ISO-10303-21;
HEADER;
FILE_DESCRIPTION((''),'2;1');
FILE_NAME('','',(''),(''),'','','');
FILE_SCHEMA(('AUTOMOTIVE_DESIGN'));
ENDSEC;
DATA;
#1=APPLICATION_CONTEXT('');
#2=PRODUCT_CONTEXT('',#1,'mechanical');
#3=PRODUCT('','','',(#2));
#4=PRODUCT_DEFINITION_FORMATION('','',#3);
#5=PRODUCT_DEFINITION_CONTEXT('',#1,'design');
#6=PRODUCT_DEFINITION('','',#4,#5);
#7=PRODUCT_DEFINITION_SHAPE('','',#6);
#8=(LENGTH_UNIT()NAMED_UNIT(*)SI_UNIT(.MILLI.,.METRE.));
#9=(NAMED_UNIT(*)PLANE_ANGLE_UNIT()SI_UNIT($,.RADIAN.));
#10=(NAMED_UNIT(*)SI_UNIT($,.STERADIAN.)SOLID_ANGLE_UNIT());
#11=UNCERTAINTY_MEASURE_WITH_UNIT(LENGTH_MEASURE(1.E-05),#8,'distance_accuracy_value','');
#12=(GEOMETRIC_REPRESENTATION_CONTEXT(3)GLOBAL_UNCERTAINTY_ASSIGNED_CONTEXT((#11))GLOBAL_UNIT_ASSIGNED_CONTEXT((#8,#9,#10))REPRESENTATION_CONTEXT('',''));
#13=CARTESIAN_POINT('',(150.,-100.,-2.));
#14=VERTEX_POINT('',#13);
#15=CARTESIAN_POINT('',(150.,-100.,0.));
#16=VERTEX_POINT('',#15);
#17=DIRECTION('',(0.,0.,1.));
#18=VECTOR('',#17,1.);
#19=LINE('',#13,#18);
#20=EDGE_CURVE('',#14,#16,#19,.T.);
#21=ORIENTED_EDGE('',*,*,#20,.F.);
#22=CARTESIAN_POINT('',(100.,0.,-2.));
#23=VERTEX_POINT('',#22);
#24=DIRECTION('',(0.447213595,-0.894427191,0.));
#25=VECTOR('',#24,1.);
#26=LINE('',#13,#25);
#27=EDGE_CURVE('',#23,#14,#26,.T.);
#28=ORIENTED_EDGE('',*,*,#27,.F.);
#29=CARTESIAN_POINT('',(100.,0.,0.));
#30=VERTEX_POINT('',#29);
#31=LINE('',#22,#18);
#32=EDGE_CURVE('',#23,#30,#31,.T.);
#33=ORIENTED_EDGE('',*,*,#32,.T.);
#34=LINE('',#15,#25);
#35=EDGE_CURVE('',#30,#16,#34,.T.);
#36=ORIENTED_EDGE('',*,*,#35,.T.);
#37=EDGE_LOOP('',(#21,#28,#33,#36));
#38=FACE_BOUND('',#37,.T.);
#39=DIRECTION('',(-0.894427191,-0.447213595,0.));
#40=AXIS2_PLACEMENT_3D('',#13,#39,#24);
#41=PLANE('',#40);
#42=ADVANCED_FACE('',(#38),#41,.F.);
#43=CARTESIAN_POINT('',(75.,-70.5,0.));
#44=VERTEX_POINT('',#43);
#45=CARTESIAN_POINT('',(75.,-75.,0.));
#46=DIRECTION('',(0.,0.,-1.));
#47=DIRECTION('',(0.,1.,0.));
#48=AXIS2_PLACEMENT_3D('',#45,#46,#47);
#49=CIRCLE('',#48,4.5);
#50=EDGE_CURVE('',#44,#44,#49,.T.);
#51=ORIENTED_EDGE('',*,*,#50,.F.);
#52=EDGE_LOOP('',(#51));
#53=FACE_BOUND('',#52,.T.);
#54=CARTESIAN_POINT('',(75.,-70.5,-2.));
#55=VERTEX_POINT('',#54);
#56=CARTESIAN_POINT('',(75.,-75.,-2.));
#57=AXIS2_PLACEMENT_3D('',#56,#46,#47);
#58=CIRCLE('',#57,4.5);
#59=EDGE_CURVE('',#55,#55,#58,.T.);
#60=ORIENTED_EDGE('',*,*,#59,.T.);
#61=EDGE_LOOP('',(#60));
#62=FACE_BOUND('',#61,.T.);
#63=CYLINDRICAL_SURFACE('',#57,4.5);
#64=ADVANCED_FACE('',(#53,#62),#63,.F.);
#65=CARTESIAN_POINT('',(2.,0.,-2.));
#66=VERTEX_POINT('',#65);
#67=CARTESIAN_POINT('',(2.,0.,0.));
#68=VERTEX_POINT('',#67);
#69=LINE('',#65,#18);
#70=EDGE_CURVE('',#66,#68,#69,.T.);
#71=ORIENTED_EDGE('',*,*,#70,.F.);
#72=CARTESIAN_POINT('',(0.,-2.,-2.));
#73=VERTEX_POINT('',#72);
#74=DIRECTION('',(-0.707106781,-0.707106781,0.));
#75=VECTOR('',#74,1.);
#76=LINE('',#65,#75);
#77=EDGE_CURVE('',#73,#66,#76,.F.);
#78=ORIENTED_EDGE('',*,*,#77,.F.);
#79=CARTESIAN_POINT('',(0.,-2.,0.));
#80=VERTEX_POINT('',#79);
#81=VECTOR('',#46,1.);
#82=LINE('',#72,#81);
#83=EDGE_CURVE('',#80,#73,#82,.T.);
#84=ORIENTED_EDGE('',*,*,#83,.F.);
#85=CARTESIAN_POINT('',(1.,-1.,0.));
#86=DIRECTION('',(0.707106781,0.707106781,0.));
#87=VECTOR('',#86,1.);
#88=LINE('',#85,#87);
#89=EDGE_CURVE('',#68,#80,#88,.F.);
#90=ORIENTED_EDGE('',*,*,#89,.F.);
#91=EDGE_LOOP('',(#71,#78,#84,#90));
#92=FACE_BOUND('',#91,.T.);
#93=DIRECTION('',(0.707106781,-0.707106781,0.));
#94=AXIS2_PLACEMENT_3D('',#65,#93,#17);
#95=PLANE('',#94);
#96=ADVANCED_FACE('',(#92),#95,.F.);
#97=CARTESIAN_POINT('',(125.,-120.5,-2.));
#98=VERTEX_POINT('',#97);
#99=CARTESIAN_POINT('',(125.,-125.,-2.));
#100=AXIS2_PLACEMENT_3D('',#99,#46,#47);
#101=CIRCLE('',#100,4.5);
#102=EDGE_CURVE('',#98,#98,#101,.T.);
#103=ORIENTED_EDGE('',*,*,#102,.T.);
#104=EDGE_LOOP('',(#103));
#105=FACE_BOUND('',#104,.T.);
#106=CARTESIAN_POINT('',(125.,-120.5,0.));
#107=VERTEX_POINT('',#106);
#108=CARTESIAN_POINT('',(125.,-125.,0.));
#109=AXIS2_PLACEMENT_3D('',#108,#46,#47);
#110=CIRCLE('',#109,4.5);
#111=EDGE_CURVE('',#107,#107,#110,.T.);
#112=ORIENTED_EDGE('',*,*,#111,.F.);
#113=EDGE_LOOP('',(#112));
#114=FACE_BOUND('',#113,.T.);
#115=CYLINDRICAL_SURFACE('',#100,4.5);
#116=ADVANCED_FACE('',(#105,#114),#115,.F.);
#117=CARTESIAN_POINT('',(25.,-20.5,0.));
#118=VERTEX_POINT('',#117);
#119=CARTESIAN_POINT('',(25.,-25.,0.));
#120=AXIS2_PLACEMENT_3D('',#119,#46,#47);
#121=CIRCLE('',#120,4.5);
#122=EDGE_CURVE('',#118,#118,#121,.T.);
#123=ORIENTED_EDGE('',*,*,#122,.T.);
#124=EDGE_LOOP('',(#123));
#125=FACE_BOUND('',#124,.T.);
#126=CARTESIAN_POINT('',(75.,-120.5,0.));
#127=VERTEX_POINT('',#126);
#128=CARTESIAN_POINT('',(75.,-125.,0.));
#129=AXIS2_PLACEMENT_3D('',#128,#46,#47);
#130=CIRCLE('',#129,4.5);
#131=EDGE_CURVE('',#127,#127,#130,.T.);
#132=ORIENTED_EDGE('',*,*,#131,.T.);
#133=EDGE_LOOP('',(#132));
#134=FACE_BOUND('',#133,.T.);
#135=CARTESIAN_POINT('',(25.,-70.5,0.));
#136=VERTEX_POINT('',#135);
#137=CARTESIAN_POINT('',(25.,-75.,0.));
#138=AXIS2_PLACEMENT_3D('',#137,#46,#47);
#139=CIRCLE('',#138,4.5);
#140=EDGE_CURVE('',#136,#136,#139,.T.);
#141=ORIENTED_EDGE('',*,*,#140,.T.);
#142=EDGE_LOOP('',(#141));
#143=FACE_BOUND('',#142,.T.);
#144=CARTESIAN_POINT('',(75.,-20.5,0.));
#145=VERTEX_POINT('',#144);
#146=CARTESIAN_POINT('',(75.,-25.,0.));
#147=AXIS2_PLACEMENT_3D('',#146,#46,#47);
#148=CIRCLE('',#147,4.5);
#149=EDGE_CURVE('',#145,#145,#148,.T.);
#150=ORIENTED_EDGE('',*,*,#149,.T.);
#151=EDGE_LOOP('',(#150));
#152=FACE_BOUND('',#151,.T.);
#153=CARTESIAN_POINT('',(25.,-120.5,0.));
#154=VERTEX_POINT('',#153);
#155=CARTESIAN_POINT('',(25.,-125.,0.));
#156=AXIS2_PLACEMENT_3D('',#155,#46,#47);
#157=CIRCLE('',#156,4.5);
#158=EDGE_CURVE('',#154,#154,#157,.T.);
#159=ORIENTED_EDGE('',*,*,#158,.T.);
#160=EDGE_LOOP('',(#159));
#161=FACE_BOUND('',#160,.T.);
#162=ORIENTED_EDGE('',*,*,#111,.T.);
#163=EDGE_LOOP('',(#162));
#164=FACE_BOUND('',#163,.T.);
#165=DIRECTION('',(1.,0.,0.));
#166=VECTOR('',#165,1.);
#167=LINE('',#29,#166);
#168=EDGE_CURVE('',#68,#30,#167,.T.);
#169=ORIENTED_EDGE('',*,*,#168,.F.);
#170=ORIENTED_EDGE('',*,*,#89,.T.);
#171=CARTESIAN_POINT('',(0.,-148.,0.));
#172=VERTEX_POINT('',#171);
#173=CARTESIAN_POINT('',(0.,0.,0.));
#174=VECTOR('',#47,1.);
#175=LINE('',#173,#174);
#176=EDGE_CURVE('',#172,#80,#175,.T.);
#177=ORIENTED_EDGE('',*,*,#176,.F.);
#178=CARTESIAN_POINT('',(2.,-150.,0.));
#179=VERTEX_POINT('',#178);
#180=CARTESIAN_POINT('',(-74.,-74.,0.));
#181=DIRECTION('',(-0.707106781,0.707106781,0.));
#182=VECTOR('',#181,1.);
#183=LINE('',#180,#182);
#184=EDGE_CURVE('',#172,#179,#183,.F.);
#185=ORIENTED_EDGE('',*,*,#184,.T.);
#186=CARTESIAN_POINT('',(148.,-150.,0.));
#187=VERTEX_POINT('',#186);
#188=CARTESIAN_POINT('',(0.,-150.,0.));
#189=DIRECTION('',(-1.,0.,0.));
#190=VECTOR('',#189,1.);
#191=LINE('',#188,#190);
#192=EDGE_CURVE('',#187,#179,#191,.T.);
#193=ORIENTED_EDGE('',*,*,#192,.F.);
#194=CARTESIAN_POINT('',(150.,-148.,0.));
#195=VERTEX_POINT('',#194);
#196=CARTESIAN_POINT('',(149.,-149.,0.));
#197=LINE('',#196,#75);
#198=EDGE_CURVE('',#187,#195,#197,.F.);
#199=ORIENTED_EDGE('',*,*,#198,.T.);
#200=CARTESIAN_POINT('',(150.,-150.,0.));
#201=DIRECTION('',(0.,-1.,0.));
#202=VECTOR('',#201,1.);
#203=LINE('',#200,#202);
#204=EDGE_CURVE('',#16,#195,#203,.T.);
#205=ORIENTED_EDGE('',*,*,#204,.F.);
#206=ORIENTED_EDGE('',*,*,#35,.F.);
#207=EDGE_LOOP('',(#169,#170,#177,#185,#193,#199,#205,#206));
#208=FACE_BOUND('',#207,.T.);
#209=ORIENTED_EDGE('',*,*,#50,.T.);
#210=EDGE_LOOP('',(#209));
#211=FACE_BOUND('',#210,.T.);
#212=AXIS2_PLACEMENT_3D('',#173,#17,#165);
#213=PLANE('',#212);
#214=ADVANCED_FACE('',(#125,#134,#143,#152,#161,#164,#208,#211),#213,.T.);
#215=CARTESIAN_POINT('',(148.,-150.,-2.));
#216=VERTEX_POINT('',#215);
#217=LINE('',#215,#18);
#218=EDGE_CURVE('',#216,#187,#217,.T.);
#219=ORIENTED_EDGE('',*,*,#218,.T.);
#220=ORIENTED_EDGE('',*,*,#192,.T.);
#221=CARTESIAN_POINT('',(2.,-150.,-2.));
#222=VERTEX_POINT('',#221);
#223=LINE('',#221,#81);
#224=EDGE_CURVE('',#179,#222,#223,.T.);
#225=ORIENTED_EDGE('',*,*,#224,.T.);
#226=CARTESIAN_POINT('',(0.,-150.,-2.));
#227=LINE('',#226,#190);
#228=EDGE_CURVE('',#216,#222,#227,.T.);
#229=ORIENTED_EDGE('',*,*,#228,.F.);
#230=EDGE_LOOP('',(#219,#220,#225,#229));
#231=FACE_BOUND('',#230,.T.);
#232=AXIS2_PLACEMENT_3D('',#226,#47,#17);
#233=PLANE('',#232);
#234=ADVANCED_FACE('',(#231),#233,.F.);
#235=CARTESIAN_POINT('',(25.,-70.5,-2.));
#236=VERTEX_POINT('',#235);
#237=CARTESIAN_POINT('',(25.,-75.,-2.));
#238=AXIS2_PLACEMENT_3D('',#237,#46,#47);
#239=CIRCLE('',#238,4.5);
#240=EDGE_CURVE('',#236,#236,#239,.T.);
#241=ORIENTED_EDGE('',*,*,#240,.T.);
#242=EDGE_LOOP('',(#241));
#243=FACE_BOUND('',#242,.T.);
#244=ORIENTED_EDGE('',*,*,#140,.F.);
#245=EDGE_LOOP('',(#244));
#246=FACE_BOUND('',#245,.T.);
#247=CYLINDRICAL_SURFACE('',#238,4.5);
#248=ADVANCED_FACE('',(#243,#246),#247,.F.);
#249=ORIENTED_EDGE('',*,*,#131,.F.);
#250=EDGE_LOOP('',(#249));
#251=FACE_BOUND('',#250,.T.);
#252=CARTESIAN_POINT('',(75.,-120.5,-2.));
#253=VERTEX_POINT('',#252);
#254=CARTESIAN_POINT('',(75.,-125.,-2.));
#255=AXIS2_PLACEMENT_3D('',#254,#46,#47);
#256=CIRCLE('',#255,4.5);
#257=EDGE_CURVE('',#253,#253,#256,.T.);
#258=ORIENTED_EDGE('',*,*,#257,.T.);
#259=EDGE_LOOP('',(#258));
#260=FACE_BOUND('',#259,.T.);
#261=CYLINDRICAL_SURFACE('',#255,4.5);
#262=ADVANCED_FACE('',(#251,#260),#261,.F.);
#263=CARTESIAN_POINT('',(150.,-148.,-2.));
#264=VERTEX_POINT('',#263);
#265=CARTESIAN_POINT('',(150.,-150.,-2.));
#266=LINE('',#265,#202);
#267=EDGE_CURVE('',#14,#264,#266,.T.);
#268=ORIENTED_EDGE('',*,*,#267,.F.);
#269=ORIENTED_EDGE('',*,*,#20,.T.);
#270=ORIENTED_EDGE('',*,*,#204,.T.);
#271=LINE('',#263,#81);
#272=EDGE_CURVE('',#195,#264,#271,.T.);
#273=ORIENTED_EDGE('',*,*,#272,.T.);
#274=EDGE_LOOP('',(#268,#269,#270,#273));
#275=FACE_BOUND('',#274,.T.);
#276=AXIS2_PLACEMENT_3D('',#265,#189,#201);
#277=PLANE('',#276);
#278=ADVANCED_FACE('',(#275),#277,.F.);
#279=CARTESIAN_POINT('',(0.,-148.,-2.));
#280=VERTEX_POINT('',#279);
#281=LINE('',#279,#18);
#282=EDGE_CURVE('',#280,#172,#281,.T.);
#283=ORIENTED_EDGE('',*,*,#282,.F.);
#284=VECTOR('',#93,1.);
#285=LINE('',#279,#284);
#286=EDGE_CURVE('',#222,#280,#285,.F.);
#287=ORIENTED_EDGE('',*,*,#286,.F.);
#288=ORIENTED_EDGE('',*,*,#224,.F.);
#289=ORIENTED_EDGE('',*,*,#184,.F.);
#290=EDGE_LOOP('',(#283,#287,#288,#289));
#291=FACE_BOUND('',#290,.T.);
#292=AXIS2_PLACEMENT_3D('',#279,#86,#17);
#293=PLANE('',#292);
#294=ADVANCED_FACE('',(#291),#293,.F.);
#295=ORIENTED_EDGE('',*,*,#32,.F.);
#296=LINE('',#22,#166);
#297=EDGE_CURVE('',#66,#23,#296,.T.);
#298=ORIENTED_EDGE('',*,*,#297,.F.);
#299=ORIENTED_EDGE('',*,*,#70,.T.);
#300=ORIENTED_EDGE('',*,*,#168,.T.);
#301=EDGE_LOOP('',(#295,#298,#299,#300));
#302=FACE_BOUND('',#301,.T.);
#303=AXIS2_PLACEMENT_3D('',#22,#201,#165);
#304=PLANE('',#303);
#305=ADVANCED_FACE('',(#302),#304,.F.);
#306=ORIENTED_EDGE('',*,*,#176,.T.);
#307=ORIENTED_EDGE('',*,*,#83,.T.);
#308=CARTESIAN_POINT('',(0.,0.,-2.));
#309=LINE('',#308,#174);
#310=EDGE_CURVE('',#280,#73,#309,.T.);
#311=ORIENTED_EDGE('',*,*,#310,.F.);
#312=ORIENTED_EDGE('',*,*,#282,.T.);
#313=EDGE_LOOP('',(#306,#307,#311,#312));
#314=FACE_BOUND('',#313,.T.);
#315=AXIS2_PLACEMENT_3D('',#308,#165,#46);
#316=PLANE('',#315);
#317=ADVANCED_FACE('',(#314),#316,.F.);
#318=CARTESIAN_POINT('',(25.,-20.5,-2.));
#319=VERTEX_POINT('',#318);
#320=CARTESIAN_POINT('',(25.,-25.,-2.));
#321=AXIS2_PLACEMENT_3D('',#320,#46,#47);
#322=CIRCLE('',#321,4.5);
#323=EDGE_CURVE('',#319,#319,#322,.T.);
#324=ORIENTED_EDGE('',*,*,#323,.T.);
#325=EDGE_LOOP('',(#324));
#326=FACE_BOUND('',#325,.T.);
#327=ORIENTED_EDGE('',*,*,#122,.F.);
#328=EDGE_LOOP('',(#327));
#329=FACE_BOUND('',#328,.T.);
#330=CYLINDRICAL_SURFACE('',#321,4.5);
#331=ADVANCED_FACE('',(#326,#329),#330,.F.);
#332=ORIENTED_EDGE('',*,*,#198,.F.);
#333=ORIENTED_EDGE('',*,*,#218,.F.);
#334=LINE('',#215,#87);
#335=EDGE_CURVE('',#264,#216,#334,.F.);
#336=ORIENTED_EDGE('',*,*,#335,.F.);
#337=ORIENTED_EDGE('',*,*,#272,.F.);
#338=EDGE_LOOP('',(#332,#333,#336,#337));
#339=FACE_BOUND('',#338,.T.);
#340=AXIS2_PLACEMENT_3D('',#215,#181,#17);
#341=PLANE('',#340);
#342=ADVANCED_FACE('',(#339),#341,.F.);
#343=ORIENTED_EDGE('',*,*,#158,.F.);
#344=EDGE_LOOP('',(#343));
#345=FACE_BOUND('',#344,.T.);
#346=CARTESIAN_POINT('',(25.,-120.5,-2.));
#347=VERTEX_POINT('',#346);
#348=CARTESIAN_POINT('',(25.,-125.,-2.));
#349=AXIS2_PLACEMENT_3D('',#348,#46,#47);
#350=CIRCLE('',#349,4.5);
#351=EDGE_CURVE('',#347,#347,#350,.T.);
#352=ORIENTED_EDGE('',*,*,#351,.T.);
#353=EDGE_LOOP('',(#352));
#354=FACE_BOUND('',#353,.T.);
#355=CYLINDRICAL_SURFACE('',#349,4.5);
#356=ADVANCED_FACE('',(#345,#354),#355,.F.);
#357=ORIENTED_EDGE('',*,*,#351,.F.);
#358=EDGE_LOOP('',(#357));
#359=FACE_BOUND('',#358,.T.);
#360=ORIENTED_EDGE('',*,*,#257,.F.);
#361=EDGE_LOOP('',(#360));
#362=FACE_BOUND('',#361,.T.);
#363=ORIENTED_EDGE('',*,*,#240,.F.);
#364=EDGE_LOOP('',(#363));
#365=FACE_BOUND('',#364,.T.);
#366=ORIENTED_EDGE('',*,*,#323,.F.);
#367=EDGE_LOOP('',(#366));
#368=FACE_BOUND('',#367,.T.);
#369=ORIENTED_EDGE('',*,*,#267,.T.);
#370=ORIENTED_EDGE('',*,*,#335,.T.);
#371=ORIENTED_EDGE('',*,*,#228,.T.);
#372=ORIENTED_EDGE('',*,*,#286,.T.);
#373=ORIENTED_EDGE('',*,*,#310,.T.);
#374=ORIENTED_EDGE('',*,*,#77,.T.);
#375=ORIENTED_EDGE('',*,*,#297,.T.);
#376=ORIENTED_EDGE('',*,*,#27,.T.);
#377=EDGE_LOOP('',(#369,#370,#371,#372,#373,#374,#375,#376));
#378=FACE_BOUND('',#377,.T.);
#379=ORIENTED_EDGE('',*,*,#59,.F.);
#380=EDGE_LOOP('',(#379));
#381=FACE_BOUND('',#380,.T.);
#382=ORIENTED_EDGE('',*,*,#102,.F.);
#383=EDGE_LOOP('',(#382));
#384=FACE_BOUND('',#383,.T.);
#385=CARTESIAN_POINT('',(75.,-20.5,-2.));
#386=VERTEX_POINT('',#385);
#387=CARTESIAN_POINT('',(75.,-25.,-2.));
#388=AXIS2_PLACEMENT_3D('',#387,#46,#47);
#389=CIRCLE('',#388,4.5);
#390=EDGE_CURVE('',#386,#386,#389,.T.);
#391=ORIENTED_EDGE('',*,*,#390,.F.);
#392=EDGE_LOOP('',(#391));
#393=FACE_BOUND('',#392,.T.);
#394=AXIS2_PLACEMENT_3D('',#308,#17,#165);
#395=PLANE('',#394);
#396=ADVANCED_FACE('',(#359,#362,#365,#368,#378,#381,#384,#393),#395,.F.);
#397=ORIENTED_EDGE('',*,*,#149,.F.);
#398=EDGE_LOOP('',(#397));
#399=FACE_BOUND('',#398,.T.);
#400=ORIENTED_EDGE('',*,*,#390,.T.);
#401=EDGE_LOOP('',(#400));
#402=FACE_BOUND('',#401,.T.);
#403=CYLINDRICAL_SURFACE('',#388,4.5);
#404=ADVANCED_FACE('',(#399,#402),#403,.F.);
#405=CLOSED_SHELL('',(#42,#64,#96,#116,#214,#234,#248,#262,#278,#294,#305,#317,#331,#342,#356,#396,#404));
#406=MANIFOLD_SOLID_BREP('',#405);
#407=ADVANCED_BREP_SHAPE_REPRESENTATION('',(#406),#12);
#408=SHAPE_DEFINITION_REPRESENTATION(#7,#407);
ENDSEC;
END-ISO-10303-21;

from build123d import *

# Parameters (mm, degrees)
EXTRUDE_1_DEPTH   = 2
HOLE_WIZARD_M81_D = 9
CHAMFER_1_SIZE    = 2


with BuildPart() as part:
    # Эскиз1 → Бобышка-Вытянуть1 (new body)
    with BuildSketch(Plane(origin=(0, 0, 0), x_dir=(1, 0, 0), z_dir=(0, 0, -1))):
        Polygon((0, 0), (0, 150), (150, 150), (150, 100), (100, 0), align=None)
    extrude(amount=EXTRUDE_1_DEPTH)

    # Отверстие с зазором M81 (through all)
    with Locations(Plane(origin=(0, 0, -2), x_dir=(1, 0, 0), z_dir=(0, 0, -1))):
        with Locations((75, 125), (25, 125), (25, 75), (25, 25), (125, 125), (75, 75), (75, 25)):
            Hole(HOLE_WIZARD_M81_D / 2)

    # Фаска1
    chamfer_1_edges = [part.edges().sort_by_distance(p)[0] for p in [
        (0, 0, -1),
        (0, -150, -1),
        (150, -150, -1),
    ]]
    chamfer(chamfer_1_edges, length=CHAMFER_1_SIZE)


solid = part.part
